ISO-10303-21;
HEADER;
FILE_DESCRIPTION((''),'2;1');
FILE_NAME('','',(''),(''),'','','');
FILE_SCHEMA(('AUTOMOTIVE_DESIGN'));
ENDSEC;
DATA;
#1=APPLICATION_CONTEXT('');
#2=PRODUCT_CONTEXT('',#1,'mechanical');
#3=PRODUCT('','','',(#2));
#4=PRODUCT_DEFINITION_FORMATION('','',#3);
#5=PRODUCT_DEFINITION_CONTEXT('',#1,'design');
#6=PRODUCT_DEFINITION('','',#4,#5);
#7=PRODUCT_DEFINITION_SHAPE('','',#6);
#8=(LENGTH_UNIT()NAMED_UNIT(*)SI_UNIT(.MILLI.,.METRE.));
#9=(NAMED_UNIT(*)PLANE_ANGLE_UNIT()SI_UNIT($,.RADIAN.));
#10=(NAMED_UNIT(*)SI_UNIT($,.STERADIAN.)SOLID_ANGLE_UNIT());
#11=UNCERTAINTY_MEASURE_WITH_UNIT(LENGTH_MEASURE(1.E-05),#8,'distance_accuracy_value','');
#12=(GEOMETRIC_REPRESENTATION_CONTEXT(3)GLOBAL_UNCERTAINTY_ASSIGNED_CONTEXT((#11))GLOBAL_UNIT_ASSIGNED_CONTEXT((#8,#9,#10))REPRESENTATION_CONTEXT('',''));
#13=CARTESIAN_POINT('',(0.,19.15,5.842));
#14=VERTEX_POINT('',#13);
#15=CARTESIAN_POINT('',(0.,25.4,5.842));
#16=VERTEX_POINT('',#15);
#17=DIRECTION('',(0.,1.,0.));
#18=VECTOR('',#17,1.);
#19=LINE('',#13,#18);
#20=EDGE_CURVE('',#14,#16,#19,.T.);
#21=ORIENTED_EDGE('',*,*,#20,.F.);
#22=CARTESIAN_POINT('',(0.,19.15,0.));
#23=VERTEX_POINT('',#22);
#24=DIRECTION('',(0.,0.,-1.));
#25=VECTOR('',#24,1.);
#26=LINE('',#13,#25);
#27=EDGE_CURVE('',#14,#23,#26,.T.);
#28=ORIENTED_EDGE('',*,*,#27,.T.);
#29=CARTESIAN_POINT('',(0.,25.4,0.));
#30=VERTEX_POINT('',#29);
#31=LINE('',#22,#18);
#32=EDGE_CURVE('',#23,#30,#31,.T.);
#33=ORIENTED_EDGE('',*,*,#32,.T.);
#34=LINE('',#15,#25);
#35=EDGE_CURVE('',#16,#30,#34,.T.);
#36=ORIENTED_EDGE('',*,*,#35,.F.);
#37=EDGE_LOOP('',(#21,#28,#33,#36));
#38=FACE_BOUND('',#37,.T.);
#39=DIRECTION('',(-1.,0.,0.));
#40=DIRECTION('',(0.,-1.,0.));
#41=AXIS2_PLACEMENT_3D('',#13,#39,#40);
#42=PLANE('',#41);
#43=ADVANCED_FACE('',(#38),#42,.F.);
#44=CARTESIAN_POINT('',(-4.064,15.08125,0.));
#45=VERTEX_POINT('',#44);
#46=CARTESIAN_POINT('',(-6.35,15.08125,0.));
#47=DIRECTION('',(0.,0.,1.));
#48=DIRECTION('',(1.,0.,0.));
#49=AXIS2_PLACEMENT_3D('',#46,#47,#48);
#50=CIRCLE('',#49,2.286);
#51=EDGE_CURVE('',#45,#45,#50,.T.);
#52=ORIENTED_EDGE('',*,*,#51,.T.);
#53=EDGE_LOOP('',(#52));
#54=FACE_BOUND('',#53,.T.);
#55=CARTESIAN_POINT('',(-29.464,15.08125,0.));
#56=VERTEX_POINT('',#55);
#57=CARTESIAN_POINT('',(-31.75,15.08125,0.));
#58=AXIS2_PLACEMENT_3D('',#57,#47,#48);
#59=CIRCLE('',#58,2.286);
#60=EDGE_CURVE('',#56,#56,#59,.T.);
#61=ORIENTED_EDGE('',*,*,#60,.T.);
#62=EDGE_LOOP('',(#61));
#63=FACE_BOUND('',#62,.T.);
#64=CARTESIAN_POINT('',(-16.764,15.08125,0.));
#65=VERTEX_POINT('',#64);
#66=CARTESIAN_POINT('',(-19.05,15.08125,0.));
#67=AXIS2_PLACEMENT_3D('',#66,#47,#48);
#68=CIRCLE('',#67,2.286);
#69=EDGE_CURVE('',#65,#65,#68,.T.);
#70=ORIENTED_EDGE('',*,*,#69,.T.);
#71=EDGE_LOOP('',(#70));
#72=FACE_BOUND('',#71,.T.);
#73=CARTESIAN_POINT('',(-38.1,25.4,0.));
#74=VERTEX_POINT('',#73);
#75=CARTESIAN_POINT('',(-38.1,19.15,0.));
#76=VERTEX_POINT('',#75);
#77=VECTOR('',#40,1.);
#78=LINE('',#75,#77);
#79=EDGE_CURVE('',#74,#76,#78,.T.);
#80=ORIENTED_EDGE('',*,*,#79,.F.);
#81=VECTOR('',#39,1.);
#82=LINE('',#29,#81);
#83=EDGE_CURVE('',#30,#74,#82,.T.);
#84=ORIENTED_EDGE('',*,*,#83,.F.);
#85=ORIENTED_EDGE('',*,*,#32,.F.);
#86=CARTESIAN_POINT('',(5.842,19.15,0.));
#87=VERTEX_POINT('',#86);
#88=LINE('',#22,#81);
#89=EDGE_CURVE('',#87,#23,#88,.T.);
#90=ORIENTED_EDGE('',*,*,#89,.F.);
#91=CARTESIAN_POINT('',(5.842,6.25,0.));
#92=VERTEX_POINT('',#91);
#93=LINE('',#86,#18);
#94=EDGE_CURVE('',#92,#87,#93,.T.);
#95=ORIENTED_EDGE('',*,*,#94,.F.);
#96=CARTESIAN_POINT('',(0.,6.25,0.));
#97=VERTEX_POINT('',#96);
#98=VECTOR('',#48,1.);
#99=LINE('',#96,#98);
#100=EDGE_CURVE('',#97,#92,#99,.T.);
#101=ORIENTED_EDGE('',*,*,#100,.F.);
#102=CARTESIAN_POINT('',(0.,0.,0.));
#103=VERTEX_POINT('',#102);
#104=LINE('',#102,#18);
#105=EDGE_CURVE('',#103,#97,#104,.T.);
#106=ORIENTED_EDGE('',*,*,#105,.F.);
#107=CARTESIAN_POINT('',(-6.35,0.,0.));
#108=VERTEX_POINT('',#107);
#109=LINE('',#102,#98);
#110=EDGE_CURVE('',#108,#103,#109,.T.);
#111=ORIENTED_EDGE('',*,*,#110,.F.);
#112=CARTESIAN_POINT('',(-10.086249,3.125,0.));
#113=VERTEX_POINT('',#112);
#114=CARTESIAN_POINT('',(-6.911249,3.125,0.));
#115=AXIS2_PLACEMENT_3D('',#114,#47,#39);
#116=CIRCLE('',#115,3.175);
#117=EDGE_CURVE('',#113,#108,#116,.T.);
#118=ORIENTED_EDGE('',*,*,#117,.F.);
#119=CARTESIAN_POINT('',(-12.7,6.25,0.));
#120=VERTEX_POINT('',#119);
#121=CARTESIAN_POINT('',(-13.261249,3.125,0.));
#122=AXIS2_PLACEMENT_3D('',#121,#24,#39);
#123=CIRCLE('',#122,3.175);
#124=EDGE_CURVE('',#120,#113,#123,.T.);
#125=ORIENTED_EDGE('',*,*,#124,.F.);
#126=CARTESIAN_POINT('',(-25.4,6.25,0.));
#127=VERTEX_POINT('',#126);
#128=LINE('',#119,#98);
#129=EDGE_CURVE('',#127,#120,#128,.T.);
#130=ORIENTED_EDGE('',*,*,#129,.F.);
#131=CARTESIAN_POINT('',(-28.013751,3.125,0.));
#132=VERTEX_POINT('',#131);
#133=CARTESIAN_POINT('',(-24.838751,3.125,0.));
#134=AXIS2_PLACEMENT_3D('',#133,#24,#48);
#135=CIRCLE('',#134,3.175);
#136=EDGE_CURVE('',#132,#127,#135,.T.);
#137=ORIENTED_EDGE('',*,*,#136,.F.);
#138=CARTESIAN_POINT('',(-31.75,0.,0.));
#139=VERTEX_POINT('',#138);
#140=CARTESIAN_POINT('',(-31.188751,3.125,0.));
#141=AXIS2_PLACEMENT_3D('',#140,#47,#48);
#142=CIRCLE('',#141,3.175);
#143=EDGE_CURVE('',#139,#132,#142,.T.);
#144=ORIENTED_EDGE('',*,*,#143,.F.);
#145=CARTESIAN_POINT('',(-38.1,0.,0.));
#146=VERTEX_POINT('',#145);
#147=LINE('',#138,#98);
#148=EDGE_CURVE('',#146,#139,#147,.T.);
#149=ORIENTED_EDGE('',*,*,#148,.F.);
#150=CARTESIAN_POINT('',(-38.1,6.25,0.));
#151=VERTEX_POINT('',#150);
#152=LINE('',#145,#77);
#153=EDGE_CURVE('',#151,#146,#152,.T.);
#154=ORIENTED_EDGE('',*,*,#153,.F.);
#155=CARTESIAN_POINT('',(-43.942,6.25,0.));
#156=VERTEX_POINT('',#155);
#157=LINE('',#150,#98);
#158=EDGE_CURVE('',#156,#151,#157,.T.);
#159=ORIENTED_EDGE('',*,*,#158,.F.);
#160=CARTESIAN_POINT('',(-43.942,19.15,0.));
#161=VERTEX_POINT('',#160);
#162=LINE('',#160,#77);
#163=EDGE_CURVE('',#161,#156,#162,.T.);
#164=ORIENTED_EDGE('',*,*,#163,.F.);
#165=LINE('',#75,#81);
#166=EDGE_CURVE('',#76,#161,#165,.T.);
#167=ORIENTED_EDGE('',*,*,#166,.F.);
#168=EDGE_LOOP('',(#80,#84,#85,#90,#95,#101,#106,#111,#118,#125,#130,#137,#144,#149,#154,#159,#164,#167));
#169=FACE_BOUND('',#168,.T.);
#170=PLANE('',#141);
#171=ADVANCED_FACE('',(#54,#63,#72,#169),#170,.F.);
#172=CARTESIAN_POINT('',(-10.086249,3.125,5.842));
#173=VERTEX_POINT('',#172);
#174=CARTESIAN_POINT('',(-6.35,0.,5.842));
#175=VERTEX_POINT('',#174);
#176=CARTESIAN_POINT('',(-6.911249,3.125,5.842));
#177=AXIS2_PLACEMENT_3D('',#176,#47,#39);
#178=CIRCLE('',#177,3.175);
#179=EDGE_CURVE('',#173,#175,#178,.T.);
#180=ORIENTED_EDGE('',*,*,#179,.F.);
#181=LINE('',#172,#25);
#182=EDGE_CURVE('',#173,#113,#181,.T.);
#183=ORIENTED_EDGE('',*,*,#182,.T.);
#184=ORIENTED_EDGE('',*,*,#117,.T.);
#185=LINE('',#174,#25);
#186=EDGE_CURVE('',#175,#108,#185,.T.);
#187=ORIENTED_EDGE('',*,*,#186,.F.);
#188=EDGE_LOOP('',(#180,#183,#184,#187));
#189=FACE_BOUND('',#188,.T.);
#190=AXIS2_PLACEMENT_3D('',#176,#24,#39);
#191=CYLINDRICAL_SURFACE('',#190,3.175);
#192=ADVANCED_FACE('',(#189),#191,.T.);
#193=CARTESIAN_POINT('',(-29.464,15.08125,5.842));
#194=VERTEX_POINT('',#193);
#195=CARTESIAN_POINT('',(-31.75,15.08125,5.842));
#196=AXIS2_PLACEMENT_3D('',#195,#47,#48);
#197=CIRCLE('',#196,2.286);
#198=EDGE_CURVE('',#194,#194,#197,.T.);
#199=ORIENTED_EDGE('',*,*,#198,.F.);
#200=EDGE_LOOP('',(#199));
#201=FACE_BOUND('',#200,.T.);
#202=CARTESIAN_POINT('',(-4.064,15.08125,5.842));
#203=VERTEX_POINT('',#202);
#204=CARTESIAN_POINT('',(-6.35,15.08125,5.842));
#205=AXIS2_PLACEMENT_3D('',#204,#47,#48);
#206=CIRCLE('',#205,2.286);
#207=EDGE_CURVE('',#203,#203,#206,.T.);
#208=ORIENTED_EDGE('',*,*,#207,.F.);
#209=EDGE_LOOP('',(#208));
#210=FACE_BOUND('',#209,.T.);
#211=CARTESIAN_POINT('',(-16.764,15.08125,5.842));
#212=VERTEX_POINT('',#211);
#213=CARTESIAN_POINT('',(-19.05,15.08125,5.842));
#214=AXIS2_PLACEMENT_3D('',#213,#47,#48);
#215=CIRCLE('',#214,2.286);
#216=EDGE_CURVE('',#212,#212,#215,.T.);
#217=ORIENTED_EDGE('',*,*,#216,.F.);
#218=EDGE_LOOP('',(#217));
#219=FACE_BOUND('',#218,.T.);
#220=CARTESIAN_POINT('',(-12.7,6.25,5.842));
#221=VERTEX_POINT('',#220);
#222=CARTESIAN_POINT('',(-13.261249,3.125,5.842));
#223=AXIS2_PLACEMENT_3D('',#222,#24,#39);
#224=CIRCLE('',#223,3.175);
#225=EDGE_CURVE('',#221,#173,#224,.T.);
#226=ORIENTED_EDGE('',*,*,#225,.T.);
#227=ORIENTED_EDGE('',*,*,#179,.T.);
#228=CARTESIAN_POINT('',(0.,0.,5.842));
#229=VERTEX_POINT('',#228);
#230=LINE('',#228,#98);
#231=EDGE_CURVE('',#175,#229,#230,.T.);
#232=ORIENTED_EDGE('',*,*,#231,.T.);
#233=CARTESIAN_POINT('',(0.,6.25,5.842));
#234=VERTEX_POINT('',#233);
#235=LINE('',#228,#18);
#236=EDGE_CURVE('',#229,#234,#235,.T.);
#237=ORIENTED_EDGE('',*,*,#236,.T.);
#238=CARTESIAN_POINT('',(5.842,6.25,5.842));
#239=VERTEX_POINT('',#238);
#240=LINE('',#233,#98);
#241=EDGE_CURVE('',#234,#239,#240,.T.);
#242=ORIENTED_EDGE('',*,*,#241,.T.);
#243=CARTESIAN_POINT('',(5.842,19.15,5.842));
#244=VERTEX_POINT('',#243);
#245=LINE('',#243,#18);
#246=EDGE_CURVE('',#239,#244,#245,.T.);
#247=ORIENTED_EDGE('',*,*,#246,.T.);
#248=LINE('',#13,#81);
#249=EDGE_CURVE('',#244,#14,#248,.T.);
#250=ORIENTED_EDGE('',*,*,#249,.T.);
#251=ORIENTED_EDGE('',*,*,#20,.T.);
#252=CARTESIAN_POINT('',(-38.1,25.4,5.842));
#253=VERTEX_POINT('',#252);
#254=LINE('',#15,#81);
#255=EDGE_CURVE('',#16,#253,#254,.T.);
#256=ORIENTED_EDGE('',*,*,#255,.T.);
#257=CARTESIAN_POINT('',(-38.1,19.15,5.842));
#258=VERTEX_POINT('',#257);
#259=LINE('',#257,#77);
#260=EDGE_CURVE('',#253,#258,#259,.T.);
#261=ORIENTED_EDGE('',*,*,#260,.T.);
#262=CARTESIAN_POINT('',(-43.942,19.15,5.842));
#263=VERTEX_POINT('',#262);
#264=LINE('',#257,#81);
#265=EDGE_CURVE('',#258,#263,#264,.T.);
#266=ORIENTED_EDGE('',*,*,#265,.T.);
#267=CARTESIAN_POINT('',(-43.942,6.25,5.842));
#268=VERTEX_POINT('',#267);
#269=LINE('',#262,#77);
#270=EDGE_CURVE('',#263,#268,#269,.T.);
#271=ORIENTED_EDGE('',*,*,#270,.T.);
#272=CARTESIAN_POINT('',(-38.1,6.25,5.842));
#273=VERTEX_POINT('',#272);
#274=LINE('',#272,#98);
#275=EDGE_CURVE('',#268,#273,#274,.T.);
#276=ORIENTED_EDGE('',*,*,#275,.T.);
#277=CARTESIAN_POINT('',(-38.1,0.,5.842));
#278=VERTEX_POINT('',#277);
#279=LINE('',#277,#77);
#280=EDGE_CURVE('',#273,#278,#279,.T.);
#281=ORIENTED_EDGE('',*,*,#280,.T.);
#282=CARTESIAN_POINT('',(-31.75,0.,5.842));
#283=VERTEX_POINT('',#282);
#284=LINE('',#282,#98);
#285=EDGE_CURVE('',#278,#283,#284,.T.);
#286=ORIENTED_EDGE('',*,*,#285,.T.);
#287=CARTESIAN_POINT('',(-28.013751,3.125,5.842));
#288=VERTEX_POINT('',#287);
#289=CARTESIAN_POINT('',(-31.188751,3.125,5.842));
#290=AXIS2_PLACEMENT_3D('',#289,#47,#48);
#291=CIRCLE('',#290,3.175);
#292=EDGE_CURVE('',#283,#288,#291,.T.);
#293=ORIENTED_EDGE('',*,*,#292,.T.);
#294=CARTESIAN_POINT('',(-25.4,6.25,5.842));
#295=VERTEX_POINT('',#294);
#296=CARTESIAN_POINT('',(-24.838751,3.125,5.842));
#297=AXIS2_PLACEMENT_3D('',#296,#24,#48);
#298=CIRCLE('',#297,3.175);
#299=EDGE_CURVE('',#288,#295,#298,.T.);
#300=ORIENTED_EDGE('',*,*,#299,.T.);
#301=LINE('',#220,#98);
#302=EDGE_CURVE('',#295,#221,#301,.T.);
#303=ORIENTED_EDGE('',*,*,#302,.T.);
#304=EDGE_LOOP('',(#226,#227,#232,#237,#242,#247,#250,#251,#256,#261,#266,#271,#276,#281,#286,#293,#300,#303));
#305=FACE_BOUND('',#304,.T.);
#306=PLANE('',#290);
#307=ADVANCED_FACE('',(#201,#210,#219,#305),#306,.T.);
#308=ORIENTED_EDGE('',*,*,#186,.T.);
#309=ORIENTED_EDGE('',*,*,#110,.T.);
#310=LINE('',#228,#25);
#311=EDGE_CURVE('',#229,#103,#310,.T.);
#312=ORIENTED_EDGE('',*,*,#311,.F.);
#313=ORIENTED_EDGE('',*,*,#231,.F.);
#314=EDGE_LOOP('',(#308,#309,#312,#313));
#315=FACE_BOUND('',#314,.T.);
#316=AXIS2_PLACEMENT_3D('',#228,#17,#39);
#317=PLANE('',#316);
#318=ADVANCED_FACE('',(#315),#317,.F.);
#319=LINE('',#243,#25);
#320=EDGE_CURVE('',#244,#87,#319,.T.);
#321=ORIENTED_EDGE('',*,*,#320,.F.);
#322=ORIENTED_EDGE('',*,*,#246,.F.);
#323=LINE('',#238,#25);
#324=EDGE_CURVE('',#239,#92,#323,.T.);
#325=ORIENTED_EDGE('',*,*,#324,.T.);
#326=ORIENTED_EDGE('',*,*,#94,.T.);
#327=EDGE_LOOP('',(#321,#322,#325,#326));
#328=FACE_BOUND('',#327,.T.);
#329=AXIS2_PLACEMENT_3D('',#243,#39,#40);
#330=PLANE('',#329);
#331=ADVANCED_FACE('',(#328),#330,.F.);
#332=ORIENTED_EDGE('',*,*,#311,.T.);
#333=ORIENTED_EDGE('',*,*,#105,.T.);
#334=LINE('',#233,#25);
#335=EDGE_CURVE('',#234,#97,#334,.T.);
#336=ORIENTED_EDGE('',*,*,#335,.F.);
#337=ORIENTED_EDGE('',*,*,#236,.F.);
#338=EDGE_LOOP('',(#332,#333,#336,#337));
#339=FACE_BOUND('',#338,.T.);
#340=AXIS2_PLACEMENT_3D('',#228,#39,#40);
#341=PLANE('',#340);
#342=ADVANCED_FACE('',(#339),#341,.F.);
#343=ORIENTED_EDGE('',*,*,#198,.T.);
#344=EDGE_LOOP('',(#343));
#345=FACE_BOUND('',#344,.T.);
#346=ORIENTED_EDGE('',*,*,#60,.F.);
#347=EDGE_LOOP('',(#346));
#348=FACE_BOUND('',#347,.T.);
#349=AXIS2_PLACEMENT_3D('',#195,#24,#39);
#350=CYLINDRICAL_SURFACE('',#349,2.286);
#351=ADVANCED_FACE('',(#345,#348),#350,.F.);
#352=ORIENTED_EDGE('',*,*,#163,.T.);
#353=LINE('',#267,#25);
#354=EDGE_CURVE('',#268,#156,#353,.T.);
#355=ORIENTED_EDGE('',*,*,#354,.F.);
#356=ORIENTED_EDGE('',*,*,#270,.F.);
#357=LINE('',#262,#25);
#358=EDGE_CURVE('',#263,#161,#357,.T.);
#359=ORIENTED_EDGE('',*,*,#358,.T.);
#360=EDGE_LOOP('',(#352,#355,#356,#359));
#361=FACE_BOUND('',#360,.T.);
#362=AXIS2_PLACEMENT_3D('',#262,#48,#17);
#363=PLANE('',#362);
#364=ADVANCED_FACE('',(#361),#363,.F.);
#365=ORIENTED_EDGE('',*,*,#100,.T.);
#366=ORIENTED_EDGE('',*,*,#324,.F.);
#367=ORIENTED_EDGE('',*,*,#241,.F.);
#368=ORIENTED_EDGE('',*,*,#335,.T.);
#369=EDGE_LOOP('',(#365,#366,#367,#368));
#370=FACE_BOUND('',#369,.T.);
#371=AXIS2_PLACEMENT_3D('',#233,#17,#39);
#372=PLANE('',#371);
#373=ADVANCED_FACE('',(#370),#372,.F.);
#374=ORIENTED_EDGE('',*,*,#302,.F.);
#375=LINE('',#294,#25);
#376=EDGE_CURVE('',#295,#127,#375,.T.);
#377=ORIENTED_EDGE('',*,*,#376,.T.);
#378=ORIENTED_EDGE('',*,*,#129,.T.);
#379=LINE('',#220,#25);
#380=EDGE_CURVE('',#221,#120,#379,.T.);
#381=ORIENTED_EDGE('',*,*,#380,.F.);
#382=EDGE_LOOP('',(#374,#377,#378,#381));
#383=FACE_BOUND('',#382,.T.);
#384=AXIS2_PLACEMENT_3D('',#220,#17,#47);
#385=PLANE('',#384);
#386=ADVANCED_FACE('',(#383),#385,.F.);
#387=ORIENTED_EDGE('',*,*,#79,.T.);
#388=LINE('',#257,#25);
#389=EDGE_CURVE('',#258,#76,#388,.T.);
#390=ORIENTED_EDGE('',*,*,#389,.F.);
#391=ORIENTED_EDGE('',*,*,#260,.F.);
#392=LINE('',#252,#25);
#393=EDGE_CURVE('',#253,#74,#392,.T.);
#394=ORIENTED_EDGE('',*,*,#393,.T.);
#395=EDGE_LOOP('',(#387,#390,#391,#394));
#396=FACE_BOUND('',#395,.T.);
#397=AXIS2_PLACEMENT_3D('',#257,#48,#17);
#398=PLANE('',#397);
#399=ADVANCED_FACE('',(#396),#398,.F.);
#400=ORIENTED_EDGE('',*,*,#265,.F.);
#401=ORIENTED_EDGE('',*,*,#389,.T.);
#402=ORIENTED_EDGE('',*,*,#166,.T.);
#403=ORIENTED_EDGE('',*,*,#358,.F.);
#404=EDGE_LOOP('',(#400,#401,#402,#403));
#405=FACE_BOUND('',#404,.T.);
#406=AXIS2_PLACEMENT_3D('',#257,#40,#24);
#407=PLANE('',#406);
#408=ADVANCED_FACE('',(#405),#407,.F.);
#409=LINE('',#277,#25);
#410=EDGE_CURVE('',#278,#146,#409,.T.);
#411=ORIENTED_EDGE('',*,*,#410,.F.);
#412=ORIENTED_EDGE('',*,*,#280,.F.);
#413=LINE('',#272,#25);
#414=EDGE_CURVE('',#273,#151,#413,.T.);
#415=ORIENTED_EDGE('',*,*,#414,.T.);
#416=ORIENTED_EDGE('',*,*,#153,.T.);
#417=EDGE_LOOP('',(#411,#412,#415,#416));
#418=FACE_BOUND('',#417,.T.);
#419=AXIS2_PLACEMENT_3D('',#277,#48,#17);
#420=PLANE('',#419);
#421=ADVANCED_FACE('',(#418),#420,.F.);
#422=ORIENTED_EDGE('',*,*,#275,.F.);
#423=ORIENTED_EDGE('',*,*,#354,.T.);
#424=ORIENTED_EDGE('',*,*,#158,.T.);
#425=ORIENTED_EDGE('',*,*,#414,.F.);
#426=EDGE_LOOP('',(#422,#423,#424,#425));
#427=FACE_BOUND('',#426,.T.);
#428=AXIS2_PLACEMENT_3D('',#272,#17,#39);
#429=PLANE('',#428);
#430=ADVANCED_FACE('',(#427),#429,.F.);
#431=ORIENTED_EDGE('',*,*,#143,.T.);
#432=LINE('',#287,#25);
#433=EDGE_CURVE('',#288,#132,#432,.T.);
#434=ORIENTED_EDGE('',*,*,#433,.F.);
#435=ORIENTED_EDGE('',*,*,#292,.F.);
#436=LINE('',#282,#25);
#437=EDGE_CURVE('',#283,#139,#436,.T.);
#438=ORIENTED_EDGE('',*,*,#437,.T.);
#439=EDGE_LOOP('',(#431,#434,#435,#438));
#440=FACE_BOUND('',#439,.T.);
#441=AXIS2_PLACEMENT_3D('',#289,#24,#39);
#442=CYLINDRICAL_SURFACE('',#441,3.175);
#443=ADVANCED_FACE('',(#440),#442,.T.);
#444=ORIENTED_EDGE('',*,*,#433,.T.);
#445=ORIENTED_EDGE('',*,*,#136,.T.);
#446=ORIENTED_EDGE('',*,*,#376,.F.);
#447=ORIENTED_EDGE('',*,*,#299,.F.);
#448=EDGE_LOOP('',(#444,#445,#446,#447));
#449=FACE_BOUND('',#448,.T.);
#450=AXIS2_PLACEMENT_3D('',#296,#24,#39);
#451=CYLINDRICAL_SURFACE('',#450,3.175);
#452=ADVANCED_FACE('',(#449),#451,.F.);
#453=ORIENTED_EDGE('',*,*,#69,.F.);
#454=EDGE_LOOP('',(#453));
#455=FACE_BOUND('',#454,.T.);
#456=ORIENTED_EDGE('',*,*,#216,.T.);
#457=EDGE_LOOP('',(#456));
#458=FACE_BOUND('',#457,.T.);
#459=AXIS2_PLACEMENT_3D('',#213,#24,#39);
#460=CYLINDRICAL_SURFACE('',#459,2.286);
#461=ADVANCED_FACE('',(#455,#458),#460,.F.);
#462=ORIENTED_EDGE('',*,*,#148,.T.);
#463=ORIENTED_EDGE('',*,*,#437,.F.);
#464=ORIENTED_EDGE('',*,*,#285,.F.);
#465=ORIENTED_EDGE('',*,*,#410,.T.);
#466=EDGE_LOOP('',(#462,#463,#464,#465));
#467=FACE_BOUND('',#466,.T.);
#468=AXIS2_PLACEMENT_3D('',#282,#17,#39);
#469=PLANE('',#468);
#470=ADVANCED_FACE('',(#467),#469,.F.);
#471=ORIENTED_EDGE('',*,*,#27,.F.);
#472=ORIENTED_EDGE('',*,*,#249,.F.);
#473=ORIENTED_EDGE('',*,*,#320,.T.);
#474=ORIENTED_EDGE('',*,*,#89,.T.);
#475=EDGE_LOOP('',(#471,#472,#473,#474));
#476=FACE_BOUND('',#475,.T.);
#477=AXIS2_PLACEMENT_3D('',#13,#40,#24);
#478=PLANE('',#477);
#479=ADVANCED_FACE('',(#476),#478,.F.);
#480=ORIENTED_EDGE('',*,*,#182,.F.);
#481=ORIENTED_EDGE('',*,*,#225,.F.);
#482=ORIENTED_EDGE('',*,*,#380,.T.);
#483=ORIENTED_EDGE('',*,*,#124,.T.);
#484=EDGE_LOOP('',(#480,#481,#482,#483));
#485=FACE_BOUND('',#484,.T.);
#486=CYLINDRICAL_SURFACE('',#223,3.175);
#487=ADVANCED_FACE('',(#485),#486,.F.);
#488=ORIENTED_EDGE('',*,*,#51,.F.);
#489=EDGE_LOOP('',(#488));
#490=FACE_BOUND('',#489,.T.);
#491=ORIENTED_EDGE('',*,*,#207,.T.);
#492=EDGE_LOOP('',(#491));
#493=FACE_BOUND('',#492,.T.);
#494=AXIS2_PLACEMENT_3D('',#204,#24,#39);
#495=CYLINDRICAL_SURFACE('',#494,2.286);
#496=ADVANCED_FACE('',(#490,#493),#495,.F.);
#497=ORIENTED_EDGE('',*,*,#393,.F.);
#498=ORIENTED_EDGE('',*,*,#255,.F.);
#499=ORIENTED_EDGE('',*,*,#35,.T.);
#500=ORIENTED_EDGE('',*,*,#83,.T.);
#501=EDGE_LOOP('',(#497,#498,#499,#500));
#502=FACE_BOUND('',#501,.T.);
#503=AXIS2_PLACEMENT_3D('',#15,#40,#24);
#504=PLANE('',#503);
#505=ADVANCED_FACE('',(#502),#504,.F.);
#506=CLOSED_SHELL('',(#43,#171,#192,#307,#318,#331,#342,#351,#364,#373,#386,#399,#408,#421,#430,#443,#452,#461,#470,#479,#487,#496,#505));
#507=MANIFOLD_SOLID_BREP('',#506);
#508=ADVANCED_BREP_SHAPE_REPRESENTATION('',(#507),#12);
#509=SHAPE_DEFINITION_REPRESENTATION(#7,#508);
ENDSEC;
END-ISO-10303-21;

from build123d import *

# Parameters (mm, degrees)
SKETCH1_R           = 2.286
BOSS_EXTRUDE1_DEPTH = 5.842


with BuildPart() as part:
    # Sketch1 → Boss-Extrude1 (new body)
    with BuildSketch(Plane.XY):
        with BuildLine():
            Line((0, 0), (-6.35, 0))
            ThreePointArc((-6.35, 0), (-8.948239117, 0.689575054), (-10.086248608, 3.125))
            ThreePointArc((-10.086248608, 3.125), (-10.825823663, 5.161990509), (-12.7, 6.25))
            Line((-12.7, 6.25), (-25.4, 6.25))
            ThreePointArc((-25.4, 6.25), (-27.274176337, 5.161990509), (-28.013751392, 3.125))
            ThreePointArc((-28.013751392, 3.125), (-29.151760883, 0.689575054), (-31.75, 0))
            Line((-31.75, 0), (-38.1, 0))
            Line((-38.1, 0), (-38.1, 6.25))
            Line((-38.1, 6.25), (-43.942, 6.25))
            Line((-43.942, 6.25), (-43.942, 19.15))
            Line((-43.942, 19.15), (-38.1, 19.15))
            Line((-38.1, 19.15), (-38.1, 25.4))
            Line((-38.1, 25.4), (0, 25.4))
            Line((0, 25.4), (0, 19.15))
            Line((0, 19.15), (5.842, 19.15))
            Line((5.842, 19.15), (5.842, 6.25))
            Line((5.842, 6.25), (0, 6.25))
            Line((0, 6.25), (0, 0))
        make_face()
        with Locations((-6.35, 15.08125)):
            Circle(SKETCH1_R, mode=Mode.SUBTRACT)
        with Locations((-19.05, 15.08125)):
            Circle(SKETCH1_R, mode=Mode.SUBTRACT)
        with Locations((-31.75, 15.08125)):
            Circle(SKETCH1_R, mode=Mode.SUBTRACT)
    extrude(amount=BOSS_EXTRUDE1_DEPTH)


solid = part.part
